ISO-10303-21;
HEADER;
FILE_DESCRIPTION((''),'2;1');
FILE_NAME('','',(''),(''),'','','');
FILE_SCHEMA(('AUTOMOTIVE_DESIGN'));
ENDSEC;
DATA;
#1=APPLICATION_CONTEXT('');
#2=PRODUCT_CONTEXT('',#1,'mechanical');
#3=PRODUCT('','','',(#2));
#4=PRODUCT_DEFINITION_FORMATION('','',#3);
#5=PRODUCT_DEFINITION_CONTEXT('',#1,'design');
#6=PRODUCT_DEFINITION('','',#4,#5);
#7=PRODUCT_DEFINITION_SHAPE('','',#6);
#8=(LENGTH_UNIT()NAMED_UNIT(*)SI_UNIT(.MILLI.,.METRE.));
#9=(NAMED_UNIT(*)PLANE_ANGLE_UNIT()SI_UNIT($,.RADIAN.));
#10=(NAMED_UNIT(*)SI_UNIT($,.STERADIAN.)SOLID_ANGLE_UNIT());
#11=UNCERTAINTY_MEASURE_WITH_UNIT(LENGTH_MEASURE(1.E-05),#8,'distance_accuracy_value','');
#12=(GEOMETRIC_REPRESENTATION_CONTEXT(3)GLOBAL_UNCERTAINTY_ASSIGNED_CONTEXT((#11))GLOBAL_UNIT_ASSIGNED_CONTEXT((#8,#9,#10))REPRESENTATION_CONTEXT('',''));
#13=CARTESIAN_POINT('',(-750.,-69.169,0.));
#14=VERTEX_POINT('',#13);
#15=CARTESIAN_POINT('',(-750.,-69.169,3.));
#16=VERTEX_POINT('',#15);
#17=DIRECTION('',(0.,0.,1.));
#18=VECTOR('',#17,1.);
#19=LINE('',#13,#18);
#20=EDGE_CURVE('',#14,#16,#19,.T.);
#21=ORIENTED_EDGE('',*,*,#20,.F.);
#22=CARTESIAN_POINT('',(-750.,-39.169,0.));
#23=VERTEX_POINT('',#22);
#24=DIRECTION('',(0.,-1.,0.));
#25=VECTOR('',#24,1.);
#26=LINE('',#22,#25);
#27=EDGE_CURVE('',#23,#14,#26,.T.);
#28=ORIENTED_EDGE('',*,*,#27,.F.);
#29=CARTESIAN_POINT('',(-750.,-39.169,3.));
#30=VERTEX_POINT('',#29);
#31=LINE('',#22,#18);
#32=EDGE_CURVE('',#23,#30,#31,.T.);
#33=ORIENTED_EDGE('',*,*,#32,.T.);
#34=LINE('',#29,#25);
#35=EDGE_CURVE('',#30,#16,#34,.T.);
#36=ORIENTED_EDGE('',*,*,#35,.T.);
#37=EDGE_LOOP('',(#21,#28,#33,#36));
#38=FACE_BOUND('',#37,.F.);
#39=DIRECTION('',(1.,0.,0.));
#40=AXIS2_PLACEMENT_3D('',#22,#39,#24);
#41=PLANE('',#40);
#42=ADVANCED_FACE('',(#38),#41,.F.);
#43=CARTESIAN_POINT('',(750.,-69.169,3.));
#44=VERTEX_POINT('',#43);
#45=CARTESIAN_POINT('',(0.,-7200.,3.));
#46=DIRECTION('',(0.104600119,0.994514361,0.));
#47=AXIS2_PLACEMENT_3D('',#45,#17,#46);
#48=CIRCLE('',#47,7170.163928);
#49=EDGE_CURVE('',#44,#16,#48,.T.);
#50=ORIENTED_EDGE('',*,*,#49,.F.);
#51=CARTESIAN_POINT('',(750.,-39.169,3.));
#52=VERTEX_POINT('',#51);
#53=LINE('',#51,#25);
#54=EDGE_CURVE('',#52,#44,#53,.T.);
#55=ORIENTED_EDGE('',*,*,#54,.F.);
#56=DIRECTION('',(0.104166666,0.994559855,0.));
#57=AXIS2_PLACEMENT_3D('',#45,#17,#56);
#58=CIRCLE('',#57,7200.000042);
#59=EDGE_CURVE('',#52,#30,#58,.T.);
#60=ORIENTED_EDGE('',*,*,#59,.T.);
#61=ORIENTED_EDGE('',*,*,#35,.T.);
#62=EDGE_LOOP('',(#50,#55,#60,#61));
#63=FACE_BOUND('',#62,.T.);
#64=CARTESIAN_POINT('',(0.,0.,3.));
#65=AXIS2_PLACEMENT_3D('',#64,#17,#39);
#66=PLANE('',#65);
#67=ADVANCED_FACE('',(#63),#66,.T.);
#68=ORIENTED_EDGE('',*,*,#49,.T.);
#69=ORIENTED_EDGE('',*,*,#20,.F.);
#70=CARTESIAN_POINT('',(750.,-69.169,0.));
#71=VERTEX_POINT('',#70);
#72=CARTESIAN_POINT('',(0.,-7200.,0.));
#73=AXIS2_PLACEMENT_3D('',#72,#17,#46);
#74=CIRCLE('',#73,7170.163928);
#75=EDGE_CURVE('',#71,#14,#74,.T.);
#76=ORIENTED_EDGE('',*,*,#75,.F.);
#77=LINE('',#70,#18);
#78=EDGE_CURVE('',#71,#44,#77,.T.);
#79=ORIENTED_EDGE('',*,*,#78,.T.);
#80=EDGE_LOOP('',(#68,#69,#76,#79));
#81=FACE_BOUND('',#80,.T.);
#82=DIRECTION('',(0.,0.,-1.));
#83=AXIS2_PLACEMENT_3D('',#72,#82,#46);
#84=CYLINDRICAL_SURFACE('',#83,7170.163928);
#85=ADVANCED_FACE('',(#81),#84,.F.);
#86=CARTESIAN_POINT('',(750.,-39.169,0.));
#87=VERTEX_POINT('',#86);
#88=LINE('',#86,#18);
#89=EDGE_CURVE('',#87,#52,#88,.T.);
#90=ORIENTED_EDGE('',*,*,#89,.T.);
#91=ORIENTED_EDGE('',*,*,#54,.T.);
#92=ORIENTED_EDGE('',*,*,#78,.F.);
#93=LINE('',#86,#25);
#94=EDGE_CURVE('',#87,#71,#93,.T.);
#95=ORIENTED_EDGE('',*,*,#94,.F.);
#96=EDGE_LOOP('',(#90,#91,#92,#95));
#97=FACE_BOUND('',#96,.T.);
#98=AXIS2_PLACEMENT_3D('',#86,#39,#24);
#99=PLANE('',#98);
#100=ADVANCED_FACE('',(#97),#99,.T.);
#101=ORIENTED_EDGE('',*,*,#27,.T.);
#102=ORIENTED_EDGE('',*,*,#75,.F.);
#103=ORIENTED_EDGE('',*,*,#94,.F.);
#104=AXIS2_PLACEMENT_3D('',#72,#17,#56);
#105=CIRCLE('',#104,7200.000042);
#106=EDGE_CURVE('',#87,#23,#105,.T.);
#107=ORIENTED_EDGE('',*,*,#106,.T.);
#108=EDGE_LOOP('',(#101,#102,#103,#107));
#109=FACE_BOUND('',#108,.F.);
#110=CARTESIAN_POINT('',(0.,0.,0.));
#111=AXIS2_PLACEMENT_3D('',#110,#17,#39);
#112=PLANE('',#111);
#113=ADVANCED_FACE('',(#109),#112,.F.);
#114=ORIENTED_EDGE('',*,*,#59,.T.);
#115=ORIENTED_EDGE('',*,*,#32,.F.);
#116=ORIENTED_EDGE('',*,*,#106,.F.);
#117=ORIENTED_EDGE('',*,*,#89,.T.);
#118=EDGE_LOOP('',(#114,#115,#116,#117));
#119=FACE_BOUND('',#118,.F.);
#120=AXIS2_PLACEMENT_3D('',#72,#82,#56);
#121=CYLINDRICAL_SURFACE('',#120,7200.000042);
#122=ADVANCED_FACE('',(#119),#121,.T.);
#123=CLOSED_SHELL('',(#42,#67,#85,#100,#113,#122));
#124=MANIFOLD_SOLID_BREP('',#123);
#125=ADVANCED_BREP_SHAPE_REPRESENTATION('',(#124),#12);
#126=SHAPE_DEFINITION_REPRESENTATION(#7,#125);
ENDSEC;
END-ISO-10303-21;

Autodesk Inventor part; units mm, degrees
ref_plane "YZ Plane" through (0, 0, 0) normal (1, 0, 0) x (0, 1, 0)
ref_plane "XZ Plane" through (0, 0, 0) normal (0, 1, 0) x (-1, 0, 0)
ref_plane "XY Plane" through (0, 0, 0) normal (0, 0, 1) x (1, 0, 0)
sketch "Sketch5" plane through (0, 0, 0) normal (0, 0, 1) x (1, 0, 0)
  arc A0 (750, -39.169) -> (-750, -39.169) centre (0, -7200) ccw
  line L0 (-750, -39.169) -> (-750, -69.169)
  line L1 (750, -39.169) -> (750, -69.169)
  arc A1 (750, -69.169) -> (-750, -69.169) centre (0, -7200) ccw
  point P0 (0, 0)
  point P1 (0, 0)
  dimension "d30" = 7200
  dimension "d31" = 30
  dimension "d32" = 1500
extrude "Plate2" add sketch "Sketch5" along normal blind 3
equation "\"d33\" = Thickness"
equation "\"BendRadius\" = Thickness"
equation "\"BendReliefWidth\" = Thickness"
equation "\"BendReliefDepth\" = 0.5 * Thickness"
equation "\"CornerReliefSize\" = 4 * Thickness"
equation "\"MinimumRemnant\" = 2 * Thickness"
equation "\"TransitionRadius\" = BendRadius"
equation "\"JacobiRadiusSize\" = BendRadius"
equation "\"GapSize\" = Thickness"
equation "\"Поясница_радиус\" = d21"
equation "\"Thickness\" = 3"
equation "\"d21\" = 8688.265625"
properties part number "MSC 407 sheet lowerback_FIX" material "Stainless Steel AISI 304"
